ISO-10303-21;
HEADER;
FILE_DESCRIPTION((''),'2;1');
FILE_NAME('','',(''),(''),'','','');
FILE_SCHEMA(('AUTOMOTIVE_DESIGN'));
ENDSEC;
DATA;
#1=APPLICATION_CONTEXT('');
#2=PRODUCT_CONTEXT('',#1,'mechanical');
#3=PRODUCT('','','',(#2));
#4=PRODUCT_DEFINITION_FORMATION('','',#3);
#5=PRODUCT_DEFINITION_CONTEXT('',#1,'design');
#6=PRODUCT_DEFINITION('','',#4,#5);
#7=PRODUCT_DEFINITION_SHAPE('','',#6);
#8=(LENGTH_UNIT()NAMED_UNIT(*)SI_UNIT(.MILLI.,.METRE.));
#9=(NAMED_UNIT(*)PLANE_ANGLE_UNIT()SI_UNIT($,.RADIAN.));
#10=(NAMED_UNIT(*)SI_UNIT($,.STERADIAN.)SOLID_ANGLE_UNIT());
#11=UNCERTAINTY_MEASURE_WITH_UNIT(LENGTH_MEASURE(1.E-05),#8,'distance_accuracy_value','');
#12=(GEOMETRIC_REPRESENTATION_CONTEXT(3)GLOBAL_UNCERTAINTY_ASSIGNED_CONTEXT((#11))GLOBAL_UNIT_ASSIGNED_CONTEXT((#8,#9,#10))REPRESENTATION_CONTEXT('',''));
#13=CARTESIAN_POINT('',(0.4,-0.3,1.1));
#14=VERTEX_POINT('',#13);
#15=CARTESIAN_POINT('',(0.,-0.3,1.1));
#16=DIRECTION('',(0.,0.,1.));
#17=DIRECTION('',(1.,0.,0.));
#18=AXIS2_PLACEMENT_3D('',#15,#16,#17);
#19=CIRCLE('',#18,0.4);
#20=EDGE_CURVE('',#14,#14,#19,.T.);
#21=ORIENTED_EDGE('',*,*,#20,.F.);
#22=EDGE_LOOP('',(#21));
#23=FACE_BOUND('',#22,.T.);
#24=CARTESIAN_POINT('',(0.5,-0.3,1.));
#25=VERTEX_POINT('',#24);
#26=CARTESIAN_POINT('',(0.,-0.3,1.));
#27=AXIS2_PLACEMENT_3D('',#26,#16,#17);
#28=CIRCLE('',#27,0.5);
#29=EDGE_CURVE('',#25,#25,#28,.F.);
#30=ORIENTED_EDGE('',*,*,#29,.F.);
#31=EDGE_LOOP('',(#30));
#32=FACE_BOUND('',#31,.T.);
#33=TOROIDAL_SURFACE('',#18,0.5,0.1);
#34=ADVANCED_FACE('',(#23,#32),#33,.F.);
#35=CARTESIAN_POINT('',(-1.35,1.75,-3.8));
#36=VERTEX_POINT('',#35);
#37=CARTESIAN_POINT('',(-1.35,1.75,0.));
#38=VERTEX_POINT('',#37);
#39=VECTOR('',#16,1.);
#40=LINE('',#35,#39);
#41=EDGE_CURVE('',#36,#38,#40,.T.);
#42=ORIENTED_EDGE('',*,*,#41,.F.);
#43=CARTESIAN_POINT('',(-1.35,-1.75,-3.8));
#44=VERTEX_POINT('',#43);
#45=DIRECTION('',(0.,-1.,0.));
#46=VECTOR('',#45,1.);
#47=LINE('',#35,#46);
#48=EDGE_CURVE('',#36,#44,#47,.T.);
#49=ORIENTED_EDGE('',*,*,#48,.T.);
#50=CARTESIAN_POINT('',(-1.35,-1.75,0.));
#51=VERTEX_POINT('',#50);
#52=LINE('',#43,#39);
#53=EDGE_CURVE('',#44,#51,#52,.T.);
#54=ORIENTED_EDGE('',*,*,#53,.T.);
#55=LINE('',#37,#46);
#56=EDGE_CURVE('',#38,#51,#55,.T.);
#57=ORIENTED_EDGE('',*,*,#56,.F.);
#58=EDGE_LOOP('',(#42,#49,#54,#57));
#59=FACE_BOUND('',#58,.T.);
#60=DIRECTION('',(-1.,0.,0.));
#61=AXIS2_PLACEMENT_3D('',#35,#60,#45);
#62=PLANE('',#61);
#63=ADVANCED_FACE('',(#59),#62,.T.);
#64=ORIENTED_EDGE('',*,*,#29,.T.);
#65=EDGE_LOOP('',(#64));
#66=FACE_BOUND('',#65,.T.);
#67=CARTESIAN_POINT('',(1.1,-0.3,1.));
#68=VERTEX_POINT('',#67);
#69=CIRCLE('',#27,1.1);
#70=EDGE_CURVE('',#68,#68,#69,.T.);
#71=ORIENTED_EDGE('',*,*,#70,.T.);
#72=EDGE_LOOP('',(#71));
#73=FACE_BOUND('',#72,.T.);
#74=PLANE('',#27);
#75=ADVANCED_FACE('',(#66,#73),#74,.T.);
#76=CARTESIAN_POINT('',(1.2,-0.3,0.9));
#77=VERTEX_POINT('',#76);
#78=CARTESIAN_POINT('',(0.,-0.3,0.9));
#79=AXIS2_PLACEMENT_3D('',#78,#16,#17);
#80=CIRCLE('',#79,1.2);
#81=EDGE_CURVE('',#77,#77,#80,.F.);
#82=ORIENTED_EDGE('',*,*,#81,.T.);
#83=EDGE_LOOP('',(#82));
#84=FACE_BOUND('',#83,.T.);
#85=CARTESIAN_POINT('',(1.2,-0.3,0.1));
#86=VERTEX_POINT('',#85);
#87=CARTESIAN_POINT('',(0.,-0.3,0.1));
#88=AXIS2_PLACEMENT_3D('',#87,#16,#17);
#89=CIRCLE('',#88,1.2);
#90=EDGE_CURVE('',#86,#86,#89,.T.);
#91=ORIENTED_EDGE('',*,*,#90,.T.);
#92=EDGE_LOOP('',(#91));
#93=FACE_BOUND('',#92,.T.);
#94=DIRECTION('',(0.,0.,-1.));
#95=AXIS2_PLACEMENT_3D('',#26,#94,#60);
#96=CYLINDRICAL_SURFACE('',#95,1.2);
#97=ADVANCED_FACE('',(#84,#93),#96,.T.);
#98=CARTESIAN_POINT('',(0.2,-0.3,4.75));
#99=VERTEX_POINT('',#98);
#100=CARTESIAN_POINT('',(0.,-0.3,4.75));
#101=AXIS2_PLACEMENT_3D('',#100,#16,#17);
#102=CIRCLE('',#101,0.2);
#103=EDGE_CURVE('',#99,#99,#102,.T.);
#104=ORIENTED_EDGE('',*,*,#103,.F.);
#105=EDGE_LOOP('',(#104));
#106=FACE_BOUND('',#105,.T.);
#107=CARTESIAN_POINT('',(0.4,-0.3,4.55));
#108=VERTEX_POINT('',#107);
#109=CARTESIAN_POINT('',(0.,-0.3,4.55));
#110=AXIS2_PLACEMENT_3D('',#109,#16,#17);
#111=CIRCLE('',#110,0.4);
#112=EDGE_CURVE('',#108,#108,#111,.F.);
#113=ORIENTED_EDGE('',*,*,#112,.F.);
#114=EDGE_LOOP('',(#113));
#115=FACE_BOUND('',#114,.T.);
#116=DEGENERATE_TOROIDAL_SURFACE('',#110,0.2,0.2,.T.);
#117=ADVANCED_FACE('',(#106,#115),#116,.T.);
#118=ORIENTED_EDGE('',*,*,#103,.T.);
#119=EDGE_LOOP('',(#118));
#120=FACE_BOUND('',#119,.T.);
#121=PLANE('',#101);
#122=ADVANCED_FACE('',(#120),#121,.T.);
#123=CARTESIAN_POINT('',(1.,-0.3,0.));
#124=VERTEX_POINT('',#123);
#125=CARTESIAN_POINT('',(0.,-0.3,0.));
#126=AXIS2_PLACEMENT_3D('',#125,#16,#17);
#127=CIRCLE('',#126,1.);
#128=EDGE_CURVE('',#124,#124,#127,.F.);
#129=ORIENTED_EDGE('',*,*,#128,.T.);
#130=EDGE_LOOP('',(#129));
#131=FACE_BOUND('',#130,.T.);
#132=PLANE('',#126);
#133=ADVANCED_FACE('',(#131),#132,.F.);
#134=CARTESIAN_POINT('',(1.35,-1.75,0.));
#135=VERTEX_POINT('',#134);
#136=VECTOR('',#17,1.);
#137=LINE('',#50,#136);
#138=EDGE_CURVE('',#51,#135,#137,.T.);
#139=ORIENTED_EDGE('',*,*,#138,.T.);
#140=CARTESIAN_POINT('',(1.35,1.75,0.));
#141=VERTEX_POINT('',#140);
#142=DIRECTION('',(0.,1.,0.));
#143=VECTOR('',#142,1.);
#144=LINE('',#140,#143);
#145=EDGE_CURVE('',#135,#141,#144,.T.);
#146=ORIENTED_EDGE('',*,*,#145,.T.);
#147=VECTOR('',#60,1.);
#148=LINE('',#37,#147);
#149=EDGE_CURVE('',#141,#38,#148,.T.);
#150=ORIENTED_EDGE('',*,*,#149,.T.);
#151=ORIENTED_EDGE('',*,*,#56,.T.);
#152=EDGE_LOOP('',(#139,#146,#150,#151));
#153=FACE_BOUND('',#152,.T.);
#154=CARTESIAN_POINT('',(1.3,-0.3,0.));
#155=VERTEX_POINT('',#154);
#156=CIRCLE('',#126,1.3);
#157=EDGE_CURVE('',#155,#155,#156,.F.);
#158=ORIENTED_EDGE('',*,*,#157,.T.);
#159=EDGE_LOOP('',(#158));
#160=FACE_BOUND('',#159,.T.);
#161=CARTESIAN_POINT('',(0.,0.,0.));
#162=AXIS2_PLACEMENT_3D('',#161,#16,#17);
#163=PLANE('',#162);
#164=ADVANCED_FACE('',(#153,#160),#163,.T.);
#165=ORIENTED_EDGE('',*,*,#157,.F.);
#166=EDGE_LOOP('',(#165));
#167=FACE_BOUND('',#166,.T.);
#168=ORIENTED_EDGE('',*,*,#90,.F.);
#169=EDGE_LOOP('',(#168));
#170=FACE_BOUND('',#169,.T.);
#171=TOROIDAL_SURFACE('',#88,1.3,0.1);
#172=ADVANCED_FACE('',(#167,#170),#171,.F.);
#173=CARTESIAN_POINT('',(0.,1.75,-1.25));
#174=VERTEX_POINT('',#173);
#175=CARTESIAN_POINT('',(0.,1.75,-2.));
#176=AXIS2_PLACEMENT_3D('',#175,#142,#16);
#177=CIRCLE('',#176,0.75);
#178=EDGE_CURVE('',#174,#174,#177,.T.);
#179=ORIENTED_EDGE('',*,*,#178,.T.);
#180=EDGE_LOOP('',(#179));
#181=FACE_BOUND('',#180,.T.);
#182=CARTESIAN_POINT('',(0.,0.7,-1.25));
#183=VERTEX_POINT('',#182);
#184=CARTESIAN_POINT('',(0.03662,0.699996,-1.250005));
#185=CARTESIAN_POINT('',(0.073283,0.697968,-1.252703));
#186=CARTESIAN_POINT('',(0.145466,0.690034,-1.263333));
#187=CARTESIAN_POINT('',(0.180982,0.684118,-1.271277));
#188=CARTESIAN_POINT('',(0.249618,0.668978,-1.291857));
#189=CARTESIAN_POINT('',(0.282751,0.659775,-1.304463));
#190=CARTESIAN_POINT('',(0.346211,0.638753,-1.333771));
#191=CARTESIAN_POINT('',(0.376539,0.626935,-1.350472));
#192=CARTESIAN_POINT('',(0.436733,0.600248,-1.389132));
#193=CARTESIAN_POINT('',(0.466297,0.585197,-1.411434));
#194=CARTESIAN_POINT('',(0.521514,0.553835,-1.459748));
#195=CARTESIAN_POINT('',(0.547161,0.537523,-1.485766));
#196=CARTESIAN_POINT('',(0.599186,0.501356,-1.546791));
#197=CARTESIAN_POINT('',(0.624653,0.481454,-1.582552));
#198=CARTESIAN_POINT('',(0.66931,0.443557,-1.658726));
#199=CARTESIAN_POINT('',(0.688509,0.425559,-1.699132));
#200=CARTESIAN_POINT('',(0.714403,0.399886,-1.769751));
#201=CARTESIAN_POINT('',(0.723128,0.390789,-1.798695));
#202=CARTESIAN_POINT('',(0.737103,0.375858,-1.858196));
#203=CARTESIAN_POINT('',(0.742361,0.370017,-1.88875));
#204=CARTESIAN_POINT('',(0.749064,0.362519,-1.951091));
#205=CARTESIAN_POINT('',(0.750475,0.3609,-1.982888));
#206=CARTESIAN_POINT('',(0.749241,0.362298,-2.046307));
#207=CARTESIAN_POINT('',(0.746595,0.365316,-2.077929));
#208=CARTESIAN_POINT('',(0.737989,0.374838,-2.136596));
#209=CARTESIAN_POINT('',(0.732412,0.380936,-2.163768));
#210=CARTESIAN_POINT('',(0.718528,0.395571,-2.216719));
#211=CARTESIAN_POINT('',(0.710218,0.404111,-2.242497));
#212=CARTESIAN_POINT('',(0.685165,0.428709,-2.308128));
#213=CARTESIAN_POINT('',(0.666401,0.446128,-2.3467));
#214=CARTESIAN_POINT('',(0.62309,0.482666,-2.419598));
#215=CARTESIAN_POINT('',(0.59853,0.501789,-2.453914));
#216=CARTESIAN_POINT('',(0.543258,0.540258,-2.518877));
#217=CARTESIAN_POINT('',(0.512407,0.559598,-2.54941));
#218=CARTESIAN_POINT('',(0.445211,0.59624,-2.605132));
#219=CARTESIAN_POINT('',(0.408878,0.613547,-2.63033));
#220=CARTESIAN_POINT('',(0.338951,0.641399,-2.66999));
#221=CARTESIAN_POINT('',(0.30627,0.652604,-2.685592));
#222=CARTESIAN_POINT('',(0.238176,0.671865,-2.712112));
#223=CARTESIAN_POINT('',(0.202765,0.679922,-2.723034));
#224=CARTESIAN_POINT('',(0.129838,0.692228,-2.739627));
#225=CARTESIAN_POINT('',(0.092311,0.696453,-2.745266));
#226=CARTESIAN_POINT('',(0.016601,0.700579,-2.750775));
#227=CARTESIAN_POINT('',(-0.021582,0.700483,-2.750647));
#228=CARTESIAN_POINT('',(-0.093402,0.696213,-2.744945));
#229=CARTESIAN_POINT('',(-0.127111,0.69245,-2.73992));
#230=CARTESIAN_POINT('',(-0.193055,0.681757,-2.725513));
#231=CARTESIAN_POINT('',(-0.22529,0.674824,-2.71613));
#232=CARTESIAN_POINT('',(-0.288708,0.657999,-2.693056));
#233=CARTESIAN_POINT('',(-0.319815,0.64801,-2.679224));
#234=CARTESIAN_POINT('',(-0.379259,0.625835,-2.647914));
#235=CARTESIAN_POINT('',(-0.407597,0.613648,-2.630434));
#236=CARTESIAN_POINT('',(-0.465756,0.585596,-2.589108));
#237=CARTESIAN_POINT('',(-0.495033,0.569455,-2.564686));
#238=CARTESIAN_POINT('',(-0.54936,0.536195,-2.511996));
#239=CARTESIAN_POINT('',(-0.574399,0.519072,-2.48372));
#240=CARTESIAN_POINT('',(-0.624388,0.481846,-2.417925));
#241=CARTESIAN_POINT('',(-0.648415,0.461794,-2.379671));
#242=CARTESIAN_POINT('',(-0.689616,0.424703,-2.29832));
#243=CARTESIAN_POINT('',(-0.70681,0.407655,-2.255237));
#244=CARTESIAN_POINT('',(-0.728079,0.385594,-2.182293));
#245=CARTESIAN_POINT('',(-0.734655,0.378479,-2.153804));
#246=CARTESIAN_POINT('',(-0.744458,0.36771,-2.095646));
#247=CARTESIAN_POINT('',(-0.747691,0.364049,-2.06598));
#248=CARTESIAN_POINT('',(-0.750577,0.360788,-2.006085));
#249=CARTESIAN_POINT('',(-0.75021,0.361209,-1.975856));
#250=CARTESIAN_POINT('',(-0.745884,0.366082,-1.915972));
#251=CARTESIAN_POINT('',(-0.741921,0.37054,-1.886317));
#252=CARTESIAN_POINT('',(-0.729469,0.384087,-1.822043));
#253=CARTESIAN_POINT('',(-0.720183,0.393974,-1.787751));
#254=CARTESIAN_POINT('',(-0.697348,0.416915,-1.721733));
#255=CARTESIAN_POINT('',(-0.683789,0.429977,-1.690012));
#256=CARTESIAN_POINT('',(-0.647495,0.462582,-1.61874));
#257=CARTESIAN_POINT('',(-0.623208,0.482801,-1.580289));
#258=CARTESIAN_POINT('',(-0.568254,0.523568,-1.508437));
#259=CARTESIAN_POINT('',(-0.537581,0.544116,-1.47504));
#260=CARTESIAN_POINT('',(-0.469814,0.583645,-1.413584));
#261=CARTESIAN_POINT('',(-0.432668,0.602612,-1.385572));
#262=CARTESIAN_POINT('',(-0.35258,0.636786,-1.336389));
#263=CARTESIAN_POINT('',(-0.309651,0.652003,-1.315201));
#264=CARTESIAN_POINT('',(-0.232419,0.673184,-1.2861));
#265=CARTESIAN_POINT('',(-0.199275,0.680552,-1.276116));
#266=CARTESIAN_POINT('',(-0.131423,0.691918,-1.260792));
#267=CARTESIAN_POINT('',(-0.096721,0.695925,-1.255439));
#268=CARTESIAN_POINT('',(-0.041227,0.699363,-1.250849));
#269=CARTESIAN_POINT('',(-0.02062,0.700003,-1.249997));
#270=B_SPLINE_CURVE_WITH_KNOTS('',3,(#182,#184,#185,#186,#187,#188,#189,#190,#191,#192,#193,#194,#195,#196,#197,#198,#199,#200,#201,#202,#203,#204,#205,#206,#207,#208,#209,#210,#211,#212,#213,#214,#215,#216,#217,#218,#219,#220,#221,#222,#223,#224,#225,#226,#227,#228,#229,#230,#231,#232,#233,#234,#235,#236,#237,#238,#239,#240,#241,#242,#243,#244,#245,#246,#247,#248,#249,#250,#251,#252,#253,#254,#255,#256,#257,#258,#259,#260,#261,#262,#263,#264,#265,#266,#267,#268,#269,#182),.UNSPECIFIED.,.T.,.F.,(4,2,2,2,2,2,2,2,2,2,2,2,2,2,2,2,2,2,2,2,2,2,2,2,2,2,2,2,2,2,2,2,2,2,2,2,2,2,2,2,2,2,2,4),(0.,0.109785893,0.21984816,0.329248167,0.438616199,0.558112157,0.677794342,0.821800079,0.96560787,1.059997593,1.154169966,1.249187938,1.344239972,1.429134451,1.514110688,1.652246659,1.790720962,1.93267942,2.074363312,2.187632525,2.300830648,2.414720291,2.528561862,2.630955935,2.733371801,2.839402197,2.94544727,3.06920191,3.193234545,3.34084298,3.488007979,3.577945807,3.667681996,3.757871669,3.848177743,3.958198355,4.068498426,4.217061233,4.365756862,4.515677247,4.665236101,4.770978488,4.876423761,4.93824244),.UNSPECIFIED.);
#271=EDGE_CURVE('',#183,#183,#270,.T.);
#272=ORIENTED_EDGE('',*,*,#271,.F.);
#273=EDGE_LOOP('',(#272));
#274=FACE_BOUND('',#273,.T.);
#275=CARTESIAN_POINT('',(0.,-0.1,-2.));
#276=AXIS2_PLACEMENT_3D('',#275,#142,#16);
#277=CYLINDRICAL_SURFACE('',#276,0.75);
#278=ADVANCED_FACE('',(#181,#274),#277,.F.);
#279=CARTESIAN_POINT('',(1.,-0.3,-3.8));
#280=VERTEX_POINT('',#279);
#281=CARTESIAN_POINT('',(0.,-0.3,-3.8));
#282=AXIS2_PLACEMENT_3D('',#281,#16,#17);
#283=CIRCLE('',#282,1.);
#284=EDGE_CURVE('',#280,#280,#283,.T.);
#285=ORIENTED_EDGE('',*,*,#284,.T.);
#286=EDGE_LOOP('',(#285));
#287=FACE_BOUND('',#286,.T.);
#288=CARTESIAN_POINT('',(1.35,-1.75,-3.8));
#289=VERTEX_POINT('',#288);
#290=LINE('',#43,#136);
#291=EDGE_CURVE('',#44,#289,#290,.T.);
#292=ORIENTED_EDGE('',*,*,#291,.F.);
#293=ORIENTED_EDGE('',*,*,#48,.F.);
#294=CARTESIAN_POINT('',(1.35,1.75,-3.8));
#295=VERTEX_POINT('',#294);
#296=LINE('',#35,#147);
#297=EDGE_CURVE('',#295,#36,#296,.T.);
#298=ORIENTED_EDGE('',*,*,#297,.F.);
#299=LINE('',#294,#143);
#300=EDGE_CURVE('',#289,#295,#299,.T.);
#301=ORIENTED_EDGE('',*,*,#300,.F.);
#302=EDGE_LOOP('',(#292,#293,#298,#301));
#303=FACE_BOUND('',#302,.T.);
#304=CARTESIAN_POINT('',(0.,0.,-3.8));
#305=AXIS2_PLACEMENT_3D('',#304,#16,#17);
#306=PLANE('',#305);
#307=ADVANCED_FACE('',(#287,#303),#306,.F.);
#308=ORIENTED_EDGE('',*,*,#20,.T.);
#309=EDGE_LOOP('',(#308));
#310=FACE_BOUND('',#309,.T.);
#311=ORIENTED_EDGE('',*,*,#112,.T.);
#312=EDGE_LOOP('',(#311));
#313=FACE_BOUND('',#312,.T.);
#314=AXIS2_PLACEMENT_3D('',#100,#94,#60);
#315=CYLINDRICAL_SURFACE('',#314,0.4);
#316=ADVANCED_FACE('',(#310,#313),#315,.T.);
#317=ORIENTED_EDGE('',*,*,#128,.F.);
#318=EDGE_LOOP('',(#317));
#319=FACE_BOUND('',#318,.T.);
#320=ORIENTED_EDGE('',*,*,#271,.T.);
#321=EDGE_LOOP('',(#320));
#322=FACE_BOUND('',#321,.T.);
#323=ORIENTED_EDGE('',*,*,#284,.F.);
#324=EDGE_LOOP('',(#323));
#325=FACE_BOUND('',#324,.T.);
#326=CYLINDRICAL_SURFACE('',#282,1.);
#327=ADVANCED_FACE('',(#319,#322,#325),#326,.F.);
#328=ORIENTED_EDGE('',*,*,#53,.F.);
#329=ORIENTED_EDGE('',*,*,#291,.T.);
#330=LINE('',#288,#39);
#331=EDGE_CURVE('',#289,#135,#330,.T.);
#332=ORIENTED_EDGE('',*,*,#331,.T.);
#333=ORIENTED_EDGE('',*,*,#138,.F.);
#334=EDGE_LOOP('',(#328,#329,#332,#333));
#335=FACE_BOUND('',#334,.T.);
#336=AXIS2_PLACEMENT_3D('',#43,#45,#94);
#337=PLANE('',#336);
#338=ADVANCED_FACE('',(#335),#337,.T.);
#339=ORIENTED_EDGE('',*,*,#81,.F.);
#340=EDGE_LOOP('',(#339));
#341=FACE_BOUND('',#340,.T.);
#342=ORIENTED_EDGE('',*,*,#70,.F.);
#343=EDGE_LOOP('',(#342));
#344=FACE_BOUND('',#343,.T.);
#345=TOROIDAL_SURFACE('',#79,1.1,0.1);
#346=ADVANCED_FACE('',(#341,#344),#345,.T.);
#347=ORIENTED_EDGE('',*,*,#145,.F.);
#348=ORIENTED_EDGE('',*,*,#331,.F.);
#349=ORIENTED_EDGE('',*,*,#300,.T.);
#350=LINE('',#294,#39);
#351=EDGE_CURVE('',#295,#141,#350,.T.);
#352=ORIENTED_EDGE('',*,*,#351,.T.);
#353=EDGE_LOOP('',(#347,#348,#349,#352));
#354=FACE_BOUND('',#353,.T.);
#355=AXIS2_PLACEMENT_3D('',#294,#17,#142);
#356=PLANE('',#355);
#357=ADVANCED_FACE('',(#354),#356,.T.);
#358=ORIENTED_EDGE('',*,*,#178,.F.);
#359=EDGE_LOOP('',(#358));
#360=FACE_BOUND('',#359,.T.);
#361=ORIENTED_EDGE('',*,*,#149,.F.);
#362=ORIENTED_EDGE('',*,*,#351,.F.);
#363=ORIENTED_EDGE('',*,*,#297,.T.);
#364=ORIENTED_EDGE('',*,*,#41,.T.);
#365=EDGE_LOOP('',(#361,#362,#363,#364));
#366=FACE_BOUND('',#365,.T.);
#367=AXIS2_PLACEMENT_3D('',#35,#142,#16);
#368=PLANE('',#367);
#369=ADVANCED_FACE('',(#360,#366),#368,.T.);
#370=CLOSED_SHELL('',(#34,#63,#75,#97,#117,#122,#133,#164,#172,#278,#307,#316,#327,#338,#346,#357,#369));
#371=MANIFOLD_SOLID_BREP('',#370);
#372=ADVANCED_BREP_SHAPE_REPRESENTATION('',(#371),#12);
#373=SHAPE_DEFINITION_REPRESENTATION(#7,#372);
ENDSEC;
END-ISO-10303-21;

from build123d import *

# Parameters (mm, degrees)
SKETCH_1_W           = 2.7
SKETCH_1_H           = 3.5
EXTRUDE_1_DEPTH      = 3.8
SKETCH_2_OUTSIDE_W   = 5.866
SKETCH_2_OUTSIDE_H   = 6.666
SKETCH_2_OUTSIDE_W_2 = 2.7
SKETCH_2_OUTSIDE_H_2 = 3.5
SKETCH_2_OUTSIDE_R   = 1
CUT_EXTRUDE_1_DEPTH  = 5.396020928
SKETCH_4_OUTSIDE_W   = 5.866
SKETCH_4_OUTSIDE_H   = 6.966
SKETCH_4_OUTSIDE_W_2 = 2.7
SKETCH_4_OUTSIDE_H_2 = 3.8
SKETCH_4_OUTSIDE_R   = 0.75
CUT_EXTRUDE_2_DEPTH  = 1.85
SKETCH_7_R           = 1.2
EXTRUDE_3_DEPTH      = 1
SKETCH_8_R           = 0.4
EXTRUDE_4_DEPTH      = 3.75
FILLET_1_R           = 0.1
FILLET_2_R           = 0.1
FILLET_3_R           = 0.1
FILLET_4_R           = 0.2


with BuildPart() as part:
    # Эскиз1 → Бобышка-Вытянуть1 (new body)
    with BuildSketch(Plane.XY):
        Rectangle(SKETCH_1_W, SKETCH_1_H)
    extrude(amount=-EXTRUDE_1_DEPTH)

    # Эскиз2 outside → Вырез-Вытянуть1 (cut, through all)
    # profile 1 of 2: a face of its own
    with BuildSketch(Plane.XY):
        Rectangle(SKETCH_2_OUTSIDE_W, SKETCH_2_OUTSIDE_H)
        Rectangle(SKETCH_2_OUTSIDE_W_2, SKETCH_2_OUTSIDE_H_2, mode=Mode.SUBTRACT)
    # profile 2 of 2: a face of its own
    with BuildSketch(Plane.XY):
        with Locations((0, -0.3)):
            Circle(SKETCH_2_OUTSIDE_R)
    extrude(amount=-CUT_EXTRUDE_1_DEPTH, mode=Mode.SUBTRACT)

    # Эскиз4 outside → Вырез-Вытянуть2 (cut)
    # profile 1 of 2: a face of its own
    with BuildSketch(Plane(origin=(0, 1.75, 0), x_dir=(1, 0, 0), z_dir=(0, 1, 0))):
        with Locations((0, 1.9)):
            Rectangle(SKETCH_4_OUTSIDE_W, SKETCH_4_OUTSIDE_H)
        with Locations((0, 1.9)):
            Rectangle(SKETCH_4_OUTSIDE_W_2, SKETCH_4_OUTSIDE_H_2, mode=Mode.SUBTRACT)
    # profile 2 of 2: a face of its own
    with BuildSketch(Plane(origin=(0, 1.75, 0), x_dir=(1, 0, 0), z_dir=(0, 1, 0))):
        with Locations(Location((0, 2, 0), (0, 0, 270))):
            Circle(SKETCH_4_OUTSIDE_R)
    extrude(amount=-CUT_EXTRUDE_2_DEPTH, mode=Mode.SUBTRACT)

    # Эскиз7 → Бобышка-Вытянуть3 (add)
    with BuildSketch(Plane.XY):
        with Locations((0, -0.3)):
            Circle(SKETCH_7_R)
    extrude(amount=EXTRUDE_3_DEPTH)

    # Эскиз8 → Бобышка-Вытянуть4 (add)
    with BuildSketch(Plane.XY.offset(1)):
        with Locations((0, -0.3)):
            Circle(SKETCH_8_R)
    extrude(amount=EXTRUDE_4_DEPTH)

    # Скругление1
    fillet_1_edges = [part.edges().sort_by_distance(p)[0] for p in [
        (-1.2, -0.3, 1),
    ]]
    fillet(fillet_1_edges, radius=FILLET_1_R)

    # Скругление2
    fillet_2_edges = [part.edges().sort_by_distance(p)[0] for p in [
        (-1.2, -0.3, 0),
    ]]
    fillet(fillet_2_edges, radius=FILLET_2_R)

    # Скругление3
    fillet_3_edges = [part.edges().sort_by_distance(p)[0] for p in [
        (-0.4, -0.3, 1),
    ]]
    fillet(fillet_3_edges, radius=FILLET_3_R)

    # Скругление4
    fillet_4_edges = [part.edges().sort_by_distance(p)[0] for p in [
        (-0.4, -0.3, 4.75),
    ]]
    fillet(fillet_4_edges, radius=FILLET_4_R)


solid = part.part
